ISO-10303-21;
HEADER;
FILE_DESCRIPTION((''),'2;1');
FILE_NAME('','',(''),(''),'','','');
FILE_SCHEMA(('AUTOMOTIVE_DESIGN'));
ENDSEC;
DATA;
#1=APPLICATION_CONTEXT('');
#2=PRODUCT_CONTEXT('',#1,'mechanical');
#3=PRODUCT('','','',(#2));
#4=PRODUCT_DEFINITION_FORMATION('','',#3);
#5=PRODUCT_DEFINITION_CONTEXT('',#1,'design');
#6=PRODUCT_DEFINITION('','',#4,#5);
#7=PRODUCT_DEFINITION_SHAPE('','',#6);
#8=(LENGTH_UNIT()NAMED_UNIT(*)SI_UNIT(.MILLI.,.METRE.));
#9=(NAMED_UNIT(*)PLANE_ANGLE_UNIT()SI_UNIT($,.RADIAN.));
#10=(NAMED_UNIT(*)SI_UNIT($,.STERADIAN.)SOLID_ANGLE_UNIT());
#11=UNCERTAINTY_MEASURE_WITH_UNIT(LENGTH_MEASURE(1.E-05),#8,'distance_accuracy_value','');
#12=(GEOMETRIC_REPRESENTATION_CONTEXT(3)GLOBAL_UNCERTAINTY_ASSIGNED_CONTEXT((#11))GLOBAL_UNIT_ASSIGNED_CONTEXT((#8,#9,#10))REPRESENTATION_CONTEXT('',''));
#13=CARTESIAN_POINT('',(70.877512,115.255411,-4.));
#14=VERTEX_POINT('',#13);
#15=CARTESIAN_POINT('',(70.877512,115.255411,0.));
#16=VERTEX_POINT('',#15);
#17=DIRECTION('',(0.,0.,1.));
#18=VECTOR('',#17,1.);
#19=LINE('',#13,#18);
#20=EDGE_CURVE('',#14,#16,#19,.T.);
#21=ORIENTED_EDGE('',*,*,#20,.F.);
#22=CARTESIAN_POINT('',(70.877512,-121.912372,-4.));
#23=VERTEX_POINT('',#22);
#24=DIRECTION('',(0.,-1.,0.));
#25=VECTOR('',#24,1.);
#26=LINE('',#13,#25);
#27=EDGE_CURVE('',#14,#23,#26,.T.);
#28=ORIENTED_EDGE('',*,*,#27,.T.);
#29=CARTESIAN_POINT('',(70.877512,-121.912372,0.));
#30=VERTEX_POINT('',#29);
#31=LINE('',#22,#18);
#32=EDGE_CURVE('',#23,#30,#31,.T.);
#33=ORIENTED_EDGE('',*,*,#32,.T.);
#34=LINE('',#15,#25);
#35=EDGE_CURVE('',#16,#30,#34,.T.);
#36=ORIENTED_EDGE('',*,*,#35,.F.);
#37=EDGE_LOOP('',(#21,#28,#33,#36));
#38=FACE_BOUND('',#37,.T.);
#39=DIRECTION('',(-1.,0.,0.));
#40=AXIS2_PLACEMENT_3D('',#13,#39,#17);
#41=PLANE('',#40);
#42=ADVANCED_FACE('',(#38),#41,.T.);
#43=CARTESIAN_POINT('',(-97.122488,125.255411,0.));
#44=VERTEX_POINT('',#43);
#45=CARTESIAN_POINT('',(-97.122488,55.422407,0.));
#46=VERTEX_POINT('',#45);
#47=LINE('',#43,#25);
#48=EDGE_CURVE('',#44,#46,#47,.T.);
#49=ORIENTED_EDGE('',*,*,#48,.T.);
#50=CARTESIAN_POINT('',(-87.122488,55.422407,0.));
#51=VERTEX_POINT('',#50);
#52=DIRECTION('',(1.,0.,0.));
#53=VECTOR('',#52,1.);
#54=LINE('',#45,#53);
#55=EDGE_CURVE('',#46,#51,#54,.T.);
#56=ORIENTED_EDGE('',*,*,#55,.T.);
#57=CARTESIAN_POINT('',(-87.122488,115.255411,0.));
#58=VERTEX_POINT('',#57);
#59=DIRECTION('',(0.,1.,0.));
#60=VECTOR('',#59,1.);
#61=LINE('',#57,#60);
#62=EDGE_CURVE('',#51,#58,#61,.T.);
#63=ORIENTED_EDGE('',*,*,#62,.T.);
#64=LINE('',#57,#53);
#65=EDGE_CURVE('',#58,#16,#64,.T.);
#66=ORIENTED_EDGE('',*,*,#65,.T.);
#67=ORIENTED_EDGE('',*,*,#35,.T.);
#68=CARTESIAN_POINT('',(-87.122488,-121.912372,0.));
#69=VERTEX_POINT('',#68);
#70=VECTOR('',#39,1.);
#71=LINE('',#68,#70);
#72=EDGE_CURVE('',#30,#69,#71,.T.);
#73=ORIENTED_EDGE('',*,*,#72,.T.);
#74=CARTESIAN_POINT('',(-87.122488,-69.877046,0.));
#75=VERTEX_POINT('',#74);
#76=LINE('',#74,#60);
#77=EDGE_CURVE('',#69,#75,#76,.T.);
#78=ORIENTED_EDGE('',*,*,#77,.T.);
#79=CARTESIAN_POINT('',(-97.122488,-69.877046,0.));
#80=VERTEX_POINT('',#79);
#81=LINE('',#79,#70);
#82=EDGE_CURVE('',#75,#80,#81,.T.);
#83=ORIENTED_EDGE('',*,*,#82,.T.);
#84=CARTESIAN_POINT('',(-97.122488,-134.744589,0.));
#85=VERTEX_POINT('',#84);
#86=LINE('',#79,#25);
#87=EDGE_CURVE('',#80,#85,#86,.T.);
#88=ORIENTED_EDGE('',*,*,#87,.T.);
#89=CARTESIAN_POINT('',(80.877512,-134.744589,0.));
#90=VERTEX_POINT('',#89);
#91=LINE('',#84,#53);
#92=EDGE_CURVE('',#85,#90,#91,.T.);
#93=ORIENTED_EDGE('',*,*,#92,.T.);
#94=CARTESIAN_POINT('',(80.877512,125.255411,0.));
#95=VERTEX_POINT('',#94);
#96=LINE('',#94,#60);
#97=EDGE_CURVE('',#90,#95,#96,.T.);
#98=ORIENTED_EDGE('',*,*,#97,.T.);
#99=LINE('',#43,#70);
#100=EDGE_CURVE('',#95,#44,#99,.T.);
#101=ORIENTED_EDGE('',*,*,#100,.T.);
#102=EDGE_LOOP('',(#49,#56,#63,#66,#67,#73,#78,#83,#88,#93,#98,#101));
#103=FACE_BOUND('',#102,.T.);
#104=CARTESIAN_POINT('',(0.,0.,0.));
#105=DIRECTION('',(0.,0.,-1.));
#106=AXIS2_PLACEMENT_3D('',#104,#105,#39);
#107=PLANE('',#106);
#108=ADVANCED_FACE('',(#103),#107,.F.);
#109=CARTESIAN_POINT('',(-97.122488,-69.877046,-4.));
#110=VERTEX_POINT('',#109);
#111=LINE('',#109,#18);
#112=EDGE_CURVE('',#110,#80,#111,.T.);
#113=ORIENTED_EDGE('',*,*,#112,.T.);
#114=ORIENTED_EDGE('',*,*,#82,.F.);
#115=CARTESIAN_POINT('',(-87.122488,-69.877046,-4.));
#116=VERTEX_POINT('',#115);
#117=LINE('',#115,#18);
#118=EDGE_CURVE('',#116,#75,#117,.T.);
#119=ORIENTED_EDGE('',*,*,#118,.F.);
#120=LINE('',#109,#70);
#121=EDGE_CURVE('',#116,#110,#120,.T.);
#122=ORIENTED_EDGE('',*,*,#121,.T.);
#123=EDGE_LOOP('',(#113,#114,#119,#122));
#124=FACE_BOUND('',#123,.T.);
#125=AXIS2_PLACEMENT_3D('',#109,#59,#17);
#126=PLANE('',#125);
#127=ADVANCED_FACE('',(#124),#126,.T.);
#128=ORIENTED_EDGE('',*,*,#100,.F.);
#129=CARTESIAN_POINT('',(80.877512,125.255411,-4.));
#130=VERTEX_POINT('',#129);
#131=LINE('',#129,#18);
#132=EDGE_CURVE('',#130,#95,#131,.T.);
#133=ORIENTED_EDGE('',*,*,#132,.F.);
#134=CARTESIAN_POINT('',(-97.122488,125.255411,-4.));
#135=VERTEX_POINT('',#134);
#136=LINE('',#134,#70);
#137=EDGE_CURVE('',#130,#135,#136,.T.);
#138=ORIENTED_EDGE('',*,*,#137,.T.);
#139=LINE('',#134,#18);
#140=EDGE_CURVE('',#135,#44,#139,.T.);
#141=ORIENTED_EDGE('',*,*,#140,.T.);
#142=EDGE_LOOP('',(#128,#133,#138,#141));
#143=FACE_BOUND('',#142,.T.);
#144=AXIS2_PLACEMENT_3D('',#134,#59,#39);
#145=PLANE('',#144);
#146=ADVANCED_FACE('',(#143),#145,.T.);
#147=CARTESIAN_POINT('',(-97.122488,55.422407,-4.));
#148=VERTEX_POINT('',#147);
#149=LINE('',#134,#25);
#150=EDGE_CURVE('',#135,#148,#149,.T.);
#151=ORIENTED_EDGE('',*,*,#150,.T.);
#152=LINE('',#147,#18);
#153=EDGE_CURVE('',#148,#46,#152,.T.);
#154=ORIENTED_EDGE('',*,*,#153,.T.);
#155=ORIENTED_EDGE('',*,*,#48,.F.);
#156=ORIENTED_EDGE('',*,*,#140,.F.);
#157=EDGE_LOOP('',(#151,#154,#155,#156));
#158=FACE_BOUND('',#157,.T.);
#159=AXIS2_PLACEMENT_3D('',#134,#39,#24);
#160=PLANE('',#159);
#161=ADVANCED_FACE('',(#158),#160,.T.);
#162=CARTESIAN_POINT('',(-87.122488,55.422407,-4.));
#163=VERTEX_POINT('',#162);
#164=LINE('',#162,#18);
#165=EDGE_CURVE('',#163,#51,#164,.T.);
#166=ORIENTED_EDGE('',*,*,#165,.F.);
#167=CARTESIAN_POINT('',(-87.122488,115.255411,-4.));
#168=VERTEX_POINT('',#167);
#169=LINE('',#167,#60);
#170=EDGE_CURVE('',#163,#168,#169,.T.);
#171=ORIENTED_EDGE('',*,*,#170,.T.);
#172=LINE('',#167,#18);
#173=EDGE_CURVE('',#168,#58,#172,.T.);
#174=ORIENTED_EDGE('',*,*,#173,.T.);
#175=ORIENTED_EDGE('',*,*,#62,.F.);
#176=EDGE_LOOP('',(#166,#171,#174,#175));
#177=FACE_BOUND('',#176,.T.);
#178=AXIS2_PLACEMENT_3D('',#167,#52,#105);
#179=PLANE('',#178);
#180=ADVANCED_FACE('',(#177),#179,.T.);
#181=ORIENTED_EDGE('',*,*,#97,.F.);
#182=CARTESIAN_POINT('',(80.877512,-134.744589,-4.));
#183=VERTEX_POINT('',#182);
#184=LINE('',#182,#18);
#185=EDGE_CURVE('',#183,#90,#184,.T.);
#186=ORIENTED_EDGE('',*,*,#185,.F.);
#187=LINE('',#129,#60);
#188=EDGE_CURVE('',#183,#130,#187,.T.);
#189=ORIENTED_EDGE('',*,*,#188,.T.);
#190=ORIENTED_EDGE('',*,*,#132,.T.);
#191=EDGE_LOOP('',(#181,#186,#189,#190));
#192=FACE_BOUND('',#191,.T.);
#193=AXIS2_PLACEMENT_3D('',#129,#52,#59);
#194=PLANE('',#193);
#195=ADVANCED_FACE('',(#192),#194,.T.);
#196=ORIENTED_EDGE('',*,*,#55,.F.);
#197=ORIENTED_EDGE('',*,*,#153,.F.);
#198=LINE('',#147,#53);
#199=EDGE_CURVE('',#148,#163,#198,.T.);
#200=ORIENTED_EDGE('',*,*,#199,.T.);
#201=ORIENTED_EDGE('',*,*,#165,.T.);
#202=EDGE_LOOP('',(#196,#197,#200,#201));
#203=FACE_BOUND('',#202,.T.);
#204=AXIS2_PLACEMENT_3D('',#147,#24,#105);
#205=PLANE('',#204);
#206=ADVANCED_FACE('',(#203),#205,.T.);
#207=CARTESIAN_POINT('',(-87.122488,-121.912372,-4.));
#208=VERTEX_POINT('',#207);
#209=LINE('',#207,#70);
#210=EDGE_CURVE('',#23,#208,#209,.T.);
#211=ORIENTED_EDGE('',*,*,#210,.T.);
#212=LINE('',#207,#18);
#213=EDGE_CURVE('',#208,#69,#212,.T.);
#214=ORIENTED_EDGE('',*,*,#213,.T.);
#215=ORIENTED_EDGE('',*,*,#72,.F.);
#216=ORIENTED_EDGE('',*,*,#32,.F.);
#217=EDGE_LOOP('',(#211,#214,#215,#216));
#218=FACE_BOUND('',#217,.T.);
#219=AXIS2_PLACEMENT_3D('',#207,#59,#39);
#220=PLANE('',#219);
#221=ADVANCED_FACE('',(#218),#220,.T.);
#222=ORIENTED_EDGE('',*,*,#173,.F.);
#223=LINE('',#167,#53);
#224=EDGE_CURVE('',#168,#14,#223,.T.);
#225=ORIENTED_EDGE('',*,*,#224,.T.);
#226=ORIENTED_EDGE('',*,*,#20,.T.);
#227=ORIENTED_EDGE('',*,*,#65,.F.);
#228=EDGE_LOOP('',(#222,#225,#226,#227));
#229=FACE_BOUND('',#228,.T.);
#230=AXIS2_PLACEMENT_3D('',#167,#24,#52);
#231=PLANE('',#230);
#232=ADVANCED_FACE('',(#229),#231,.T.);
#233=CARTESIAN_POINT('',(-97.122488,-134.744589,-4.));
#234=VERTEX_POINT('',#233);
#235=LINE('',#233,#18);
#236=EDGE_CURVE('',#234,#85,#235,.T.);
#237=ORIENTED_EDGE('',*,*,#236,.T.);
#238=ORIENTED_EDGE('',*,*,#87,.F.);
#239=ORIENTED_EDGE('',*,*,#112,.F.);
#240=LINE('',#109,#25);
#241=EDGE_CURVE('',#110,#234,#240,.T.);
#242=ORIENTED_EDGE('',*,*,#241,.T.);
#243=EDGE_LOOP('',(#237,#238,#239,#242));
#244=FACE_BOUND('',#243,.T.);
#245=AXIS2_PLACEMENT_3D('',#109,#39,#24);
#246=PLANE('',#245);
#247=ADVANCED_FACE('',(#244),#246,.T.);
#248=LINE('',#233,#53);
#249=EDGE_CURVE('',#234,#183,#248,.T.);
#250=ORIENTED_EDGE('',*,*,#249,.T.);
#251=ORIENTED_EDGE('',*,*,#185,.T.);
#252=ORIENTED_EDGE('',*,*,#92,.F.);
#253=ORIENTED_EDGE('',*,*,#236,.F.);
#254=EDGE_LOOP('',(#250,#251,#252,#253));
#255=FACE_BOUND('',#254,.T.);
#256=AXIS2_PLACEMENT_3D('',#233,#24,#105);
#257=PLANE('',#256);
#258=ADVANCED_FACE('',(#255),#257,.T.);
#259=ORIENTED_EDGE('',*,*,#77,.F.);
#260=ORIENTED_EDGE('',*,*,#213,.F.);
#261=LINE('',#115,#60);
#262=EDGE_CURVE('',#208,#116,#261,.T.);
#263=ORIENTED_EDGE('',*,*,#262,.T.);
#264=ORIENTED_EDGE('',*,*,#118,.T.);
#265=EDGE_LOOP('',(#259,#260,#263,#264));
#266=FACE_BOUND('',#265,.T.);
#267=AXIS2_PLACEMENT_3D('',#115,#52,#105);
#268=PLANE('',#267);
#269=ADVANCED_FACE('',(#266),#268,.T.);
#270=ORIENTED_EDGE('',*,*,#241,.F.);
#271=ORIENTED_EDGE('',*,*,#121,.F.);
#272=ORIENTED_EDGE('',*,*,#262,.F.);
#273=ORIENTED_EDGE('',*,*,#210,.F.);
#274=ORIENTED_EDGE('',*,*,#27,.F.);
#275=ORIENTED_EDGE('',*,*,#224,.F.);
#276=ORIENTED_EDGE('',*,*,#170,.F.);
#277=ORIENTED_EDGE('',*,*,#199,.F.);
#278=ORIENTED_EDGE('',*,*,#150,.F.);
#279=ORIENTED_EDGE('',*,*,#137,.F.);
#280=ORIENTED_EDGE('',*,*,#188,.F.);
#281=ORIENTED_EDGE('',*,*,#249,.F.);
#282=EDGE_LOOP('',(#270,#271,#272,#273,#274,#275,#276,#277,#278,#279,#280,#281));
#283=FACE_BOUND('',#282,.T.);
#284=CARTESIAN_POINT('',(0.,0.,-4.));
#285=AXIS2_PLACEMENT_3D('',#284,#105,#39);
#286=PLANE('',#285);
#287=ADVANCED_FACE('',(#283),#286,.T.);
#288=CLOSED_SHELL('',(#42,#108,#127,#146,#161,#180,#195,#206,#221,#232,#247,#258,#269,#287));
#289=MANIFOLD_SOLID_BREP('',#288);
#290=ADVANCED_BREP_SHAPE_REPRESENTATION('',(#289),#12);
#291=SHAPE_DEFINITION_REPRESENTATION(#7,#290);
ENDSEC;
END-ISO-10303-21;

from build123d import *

# Parameters (mm, degrees)
BOSS_EXTRUDE1_DEPTH = 4


with BuildPart() as part:
    # Sketch3 → Boss-Extrude1 (new body)
    with BuildSketch(Plane(origin=(0, 0, 0), x_dir=(0, 1, 0), z_dir=(0, 0, 1))):
        Polygon((125.255410605, 97.12248794), (55.422407136, 97.12248794), (55.422407136, 87.12248794), (115.255410605, 87.12248794), (115.255410605, -70.87751206), (-121.912372197, -70.87751206), (-121.912372197, 87.12248794), (-69.877046163, 87.12248794), (-69.877046163, 97.12248794), (-134.744589395, 97.12248794), (-134.744589395, -80.87751206), (125.255410605, -80.87751206), align=None)
    extrude(amount=-BOSS_EXTRUDE1_DEPTH)


solid = part.part
